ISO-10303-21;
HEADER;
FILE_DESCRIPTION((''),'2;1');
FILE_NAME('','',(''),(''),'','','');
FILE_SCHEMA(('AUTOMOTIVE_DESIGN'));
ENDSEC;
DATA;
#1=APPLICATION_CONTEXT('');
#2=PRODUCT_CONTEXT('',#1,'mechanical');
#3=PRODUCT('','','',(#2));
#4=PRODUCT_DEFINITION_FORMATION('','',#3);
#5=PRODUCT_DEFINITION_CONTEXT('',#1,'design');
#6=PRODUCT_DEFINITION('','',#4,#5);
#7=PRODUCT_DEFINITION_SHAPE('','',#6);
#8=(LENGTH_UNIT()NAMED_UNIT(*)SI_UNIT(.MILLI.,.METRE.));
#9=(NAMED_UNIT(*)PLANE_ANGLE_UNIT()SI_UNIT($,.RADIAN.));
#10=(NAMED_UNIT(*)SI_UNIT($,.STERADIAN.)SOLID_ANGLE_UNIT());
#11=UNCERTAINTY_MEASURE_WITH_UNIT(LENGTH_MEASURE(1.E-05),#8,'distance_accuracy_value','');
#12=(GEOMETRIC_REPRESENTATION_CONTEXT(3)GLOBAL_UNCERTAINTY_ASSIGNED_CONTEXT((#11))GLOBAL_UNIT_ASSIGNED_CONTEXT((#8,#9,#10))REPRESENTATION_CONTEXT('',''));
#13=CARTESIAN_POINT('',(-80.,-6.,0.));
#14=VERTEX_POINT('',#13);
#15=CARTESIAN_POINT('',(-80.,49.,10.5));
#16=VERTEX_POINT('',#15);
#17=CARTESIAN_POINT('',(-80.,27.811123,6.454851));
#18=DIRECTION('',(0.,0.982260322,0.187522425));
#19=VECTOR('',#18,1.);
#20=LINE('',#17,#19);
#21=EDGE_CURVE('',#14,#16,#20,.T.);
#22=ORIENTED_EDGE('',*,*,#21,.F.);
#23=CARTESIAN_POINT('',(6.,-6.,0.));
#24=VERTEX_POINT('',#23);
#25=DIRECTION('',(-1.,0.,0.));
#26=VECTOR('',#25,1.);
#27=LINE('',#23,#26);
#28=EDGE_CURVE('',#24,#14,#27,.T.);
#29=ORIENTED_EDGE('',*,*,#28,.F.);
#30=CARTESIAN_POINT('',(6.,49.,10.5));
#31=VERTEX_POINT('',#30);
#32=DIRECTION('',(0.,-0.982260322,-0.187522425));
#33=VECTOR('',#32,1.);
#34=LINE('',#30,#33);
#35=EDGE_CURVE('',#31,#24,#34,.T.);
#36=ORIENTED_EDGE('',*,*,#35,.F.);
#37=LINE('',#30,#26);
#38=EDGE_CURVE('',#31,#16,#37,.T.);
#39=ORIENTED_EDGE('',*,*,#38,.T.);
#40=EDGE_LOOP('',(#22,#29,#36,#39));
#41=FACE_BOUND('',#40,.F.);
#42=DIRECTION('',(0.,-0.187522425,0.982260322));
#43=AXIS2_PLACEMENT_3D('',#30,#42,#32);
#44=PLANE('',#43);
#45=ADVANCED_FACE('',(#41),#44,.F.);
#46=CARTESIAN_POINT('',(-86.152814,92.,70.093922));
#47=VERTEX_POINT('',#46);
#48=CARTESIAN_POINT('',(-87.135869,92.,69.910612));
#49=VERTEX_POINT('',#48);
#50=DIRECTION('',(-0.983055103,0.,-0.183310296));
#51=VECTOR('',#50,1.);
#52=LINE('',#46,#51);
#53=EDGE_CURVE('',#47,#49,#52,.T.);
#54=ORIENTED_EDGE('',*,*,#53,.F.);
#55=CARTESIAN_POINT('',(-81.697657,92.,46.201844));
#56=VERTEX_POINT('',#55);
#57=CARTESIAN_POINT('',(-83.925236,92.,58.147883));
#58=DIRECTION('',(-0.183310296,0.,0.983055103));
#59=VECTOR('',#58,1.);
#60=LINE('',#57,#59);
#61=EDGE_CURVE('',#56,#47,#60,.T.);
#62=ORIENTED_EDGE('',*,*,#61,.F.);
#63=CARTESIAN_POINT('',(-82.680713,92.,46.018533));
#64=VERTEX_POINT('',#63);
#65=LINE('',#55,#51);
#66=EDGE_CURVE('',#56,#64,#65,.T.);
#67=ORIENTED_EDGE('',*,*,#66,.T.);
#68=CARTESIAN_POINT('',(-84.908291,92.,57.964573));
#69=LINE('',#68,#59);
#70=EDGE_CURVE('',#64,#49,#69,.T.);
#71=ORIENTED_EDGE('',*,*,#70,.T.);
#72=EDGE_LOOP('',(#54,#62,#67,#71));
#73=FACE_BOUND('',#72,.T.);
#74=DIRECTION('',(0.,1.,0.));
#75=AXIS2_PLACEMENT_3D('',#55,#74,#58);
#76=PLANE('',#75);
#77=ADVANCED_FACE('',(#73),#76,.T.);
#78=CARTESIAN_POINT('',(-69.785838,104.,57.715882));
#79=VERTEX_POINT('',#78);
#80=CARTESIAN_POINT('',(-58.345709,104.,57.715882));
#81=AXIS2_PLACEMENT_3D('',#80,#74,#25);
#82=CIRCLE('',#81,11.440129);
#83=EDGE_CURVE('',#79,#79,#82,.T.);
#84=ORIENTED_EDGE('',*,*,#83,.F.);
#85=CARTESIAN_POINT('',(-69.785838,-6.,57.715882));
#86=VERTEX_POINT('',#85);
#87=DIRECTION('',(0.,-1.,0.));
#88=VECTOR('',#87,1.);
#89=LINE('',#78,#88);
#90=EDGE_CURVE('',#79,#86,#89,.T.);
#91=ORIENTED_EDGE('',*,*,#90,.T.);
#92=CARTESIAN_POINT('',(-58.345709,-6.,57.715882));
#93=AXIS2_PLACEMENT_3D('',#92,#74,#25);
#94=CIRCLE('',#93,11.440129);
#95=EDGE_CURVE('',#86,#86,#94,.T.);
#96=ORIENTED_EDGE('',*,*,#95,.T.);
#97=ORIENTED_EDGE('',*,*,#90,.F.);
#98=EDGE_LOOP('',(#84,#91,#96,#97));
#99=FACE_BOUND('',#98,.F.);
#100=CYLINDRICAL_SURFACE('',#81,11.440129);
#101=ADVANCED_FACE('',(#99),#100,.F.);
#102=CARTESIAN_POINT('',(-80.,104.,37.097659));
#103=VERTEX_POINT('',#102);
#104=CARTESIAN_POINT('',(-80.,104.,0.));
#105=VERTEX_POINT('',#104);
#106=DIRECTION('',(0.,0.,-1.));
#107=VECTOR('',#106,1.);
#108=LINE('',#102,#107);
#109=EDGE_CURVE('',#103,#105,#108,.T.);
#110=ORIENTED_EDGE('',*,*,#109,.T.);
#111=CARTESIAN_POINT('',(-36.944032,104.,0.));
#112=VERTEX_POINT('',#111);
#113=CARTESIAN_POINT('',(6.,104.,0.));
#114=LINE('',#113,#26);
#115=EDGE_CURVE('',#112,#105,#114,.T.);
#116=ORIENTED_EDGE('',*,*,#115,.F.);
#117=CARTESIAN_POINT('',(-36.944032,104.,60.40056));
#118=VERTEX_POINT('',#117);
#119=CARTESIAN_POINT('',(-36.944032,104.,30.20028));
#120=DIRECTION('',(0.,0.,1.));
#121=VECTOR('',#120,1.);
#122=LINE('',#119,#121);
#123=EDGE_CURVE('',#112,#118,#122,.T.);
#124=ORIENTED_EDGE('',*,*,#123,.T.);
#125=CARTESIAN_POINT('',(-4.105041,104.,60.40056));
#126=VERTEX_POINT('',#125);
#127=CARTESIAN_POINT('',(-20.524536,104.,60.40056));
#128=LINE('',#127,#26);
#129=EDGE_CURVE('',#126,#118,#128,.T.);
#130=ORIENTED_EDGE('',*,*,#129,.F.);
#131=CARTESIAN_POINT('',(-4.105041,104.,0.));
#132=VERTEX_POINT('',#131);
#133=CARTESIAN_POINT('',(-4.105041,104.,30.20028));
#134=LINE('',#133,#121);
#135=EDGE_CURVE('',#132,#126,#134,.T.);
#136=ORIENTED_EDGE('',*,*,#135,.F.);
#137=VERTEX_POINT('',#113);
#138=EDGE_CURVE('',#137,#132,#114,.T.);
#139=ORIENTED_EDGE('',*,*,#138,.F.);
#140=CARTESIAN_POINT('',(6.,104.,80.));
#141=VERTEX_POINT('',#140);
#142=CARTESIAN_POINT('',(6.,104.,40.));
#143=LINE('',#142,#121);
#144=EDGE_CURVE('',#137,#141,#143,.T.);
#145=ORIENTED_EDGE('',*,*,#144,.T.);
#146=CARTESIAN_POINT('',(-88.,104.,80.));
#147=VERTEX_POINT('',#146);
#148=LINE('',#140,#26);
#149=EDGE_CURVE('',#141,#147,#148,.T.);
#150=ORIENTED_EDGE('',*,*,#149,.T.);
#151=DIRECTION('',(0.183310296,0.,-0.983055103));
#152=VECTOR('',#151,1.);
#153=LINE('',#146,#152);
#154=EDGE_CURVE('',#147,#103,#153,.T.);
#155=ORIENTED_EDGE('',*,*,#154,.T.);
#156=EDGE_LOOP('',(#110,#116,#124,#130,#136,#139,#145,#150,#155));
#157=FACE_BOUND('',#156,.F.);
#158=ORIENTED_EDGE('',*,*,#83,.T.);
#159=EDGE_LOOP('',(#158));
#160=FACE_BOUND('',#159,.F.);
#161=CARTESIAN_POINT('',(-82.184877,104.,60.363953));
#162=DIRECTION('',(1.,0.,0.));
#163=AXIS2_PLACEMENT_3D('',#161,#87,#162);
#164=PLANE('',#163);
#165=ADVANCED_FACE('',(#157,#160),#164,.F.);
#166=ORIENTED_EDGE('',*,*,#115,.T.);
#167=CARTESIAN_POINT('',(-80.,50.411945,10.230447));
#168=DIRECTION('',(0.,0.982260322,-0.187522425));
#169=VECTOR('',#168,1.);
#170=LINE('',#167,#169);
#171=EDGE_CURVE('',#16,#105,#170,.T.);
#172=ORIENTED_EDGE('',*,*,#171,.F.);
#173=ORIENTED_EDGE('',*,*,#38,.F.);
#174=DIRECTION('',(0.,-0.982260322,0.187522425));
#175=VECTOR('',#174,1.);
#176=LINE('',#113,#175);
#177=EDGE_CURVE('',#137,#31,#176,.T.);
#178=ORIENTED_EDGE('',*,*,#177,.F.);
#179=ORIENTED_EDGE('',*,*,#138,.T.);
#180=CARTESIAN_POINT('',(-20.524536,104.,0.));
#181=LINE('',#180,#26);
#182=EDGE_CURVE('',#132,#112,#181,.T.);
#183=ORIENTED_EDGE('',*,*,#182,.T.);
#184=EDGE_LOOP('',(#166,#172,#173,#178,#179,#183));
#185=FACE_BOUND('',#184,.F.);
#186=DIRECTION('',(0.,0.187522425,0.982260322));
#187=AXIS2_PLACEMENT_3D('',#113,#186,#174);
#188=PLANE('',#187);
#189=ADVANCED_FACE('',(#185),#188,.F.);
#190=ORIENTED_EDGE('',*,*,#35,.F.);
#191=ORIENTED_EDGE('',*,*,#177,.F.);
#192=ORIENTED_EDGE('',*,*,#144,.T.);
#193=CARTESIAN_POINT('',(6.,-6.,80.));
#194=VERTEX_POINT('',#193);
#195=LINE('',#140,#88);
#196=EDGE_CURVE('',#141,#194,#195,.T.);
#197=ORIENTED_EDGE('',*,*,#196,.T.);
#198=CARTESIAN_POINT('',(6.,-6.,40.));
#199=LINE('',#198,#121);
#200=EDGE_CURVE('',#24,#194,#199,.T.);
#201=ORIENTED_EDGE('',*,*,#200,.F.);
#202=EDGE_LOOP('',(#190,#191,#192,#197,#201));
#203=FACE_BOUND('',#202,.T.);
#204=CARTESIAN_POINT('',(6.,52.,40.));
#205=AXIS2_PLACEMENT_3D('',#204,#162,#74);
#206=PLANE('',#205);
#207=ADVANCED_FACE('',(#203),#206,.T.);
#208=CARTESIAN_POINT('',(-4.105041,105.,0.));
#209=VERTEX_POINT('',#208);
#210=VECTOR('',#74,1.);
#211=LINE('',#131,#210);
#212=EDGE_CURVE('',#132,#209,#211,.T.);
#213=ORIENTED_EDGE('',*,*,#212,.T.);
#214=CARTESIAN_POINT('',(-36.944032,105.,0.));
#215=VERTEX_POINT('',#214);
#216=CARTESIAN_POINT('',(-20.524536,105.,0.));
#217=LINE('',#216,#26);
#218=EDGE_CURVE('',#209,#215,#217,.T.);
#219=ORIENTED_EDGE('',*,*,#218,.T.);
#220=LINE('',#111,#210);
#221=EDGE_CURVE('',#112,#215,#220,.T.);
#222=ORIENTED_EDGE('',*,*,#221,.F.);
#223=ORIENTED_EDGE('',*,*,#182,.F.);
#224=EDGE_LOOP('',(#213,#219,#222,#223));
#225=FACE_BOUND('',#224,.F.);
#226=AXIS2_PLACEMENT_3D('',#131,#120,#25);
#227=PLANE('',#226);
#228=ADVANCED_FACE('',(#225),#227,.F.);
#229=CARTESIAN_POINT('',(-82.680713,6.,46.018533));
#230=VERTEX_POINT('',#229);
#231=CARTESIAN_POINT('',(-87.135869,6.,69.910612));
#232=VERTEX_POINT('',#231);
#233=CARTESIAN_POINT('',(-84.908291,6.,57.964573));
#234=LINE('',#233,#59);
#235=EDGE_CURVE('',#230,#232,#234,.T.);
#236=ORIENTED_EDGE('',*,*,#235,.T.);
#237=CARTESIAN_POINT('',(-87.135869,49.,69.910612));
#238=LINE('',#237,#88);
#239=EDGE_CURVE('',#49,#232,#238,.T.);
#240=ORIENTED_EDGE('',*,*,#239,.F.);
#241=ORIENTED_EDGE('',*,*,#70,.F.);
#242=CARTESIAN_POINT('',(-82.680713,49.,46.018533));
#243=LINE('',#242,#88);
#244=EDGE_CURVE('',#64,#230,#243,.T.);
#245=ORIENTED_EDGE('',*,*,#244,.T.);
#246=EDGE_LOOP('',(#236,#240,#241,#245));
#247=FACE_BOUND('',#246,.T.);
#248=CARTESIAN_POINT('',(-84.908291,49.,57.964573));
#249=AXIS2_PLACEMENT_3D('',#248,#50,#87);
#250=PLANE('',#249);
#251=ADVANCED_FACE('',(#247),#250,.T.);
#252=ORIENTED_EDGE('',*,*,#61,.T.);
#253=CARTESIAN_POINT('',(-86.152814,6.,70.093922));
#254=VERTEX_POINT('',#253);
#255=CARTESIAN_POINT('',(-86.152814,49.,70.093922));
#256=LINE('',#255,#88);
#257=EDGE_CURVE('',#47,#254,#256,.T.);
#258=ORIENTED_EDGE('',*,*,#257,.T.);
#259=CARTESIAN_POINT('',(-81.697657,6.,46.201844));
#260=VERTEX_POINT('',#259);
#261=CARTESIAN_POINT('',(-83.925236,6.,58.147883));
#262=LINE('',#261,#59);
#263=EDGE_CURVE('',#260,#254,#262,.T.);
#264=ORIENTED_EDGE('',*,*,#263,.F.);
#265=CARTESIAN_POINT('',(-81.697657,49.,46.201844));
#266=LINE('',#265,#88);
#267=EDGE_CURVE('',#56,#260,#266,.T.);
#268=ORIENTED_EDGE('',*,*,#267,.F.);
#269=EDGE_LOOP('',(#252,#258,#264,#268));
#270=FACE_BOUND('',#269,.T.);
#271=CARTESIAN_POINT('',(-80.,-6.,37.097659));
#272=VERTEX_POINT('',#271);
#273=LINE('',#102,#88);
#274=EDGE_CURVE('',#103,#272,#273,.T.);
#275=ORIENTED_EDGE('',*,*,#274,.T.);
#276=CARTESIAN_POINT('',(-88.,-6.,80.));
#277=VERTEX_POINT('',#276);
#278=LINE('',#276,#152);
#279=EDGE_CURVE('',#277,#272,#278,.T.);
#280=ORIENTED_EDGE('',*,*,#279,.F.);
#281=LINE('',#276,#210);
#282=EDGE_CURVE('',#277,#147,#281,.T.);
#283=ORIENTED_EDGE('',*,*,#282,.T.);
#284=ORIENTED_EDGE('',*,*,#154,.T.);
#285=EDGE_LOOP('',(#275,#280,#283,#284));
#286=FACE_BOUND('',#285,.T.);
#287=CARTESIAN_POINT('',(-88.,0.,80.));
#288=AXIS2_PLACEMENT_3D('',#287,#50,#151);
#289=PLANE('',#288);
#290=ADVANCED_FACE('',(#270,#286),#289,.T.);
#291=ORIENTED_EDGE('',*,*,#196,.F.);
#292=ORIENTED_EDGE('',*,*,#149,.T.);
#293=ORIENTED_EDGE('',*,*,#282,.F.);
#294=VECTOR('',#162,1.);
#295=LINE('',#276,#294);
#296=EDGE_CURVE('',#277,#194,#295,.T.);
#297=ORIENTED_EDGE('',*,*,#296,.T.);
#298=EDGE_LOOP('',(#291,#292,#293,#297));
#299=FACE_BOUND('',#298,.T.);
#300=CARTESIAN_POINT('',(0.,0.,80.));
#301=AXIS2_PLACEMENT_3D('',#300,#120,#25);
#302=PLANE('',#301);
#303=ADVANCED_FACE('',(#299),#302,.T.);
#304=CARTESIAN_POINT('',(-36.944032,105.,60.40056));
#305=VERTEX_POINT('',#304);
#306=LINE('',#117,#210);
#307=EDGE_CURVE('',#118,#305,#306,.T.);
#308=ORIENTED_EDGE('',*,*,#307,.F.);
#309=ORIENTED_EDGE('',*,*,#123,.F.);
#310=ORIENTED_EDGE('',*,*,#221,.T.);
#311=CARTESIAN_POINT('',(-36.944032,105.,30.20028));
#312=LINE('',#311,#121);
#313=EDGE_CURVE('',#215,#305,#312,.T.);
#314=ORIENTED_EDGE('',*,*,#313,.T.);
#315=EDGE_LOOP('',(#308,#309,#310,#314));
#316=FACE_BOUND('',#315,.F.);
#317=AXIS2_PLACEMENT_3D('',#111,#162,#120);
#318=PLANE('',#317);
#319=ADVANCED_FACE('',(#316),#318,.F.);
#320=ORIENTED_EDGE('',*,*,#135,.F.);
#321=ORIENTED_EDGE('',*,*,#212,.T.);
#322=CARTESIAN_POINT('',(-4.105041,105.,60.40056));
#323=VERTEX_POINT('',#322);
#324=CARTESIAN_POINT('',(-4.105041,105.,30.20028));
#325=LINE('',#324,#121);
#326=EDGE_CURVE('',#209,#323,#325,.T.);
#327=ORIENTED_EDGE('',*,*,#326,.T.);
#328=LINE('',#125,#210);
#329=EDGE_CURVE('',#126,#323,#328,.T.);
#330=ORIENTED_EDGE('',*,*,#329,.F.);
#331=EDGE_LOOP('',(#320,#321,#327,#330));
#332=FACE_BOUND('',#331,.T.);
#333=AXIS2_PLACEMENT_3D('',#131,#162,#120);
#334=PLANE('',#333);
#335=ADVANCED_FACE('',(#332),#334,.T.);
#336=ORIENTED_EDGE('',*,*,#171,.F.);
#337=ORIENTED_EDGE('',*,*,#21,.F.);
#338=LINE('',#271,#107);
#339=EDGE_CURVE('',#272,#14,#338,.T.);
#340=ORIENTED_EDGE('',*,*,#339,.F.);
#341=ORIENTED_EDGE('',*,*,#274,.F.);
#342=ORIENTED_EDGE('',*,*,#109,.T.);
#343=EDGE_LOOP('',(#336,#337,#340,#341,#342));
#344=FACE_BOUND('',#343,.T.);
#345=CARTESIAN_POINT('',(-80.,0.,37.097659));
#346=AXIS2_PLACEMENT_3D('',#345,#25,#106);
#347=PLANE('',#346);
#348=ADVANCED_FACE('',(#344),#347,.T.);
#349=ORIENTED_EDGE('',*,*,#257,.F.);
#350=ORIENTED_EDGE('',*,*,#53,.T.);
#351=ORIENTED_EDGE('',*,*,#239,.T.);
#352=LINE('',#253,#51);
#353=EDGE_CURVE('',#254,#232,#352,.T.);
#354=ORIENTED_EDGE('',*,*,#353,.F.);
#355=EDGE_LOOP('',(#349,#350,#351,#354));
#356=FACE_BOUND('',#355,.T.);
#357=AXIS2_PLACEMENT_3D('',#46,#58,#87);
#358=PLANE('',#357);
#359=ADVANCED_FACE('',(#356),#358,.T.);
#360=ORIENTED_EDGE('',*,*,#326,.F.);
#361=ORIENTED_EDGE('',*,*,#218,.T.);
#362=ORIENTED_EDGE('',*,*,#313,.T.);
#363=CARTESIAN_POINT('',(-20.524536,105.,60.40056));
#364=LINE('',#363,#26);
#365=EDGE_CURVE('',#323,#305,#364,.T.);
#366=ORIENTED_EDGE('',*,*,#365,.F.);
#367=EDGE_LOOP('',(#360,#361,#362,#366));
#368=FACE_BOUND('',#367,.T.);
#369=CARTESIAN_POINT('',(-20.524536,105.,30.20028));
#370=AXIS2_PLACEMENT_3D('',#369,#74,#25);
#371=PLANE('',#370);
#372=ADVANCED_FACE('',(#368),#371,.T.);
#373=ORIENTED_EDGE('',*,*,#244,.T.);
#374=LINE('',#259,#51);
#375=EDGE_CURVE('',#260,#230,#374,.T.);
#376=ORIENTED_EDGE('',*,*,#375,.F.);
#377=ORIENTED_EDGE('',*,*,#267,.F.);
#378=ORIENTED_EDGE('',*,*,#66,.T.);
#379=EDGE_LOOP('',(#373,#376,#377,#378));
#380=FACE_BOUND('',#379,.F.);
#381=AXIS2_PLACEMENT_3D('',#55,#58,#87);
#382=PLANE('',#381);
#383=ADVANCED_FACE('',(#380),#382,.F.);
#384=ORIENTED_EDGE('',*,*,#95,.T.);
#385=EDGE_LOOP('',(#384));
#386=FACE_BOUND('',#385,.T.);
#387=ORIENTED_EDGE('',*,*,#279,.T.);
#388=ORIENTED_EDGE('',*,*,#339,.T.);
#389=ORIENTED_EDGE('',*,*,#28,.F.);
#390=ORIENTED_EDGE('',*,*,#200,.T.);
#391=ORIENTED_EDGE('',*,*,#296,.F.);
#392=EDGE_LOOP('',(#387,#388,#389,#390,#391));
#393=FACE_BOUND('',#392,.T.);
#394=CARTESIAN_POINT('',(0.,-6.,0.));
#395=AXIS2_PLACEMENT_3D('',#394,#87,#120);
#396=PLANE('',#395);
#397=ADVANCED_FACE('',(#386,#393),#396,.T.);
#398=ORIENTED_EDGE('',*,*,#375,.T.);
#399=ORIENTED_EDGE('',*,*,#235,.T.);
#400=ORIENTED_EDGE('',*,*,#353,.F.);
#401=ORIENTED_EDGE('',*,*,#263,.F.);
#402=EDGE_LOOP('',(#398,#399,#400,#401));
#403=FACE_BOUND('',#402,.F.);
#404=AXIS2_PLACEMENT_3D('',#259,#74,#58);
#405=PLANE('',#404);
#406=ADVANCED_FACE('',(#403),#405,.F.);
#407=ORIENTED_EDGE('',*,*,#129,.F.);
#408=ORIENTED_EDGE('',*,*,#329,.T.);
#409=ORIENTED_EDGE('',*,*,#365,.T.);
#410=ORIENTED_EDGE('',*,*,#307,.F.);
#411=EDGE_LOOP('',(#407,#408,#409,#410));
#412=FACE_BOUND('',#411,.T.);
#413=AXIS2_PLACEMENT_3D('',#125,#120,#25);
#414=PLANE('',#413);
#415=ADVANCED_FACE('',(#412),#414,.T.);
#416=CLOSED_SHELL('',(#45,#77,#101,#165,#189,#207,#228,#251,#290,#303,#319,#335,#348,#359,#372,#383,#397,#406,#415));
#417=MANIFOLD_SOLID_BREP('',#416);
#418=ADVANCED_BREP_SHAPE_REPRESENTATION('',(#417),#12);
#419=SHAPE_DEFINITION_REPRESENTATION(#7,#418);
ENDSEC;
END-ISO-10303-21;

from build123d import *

# Parameters (mm, degrees)
F1_DEPTH  = 6
F2_W      = 104
F2_H      = 80
F2_W_2    = 6
F3_DEPTH  = 6
F5_DEPTH  = 104
F7_DEPTH  = 200
F8_R      = 11.4401294272
F10_DEPTH = 200
F11_W     = 86
F11_H     = 24.3039056659
F12_DEPTH = 1
F13_W     = 32.8389904462
F13_H     = 60.4005604982
F14_DEPTH = 1


with BuildPart() as f1:
    # F0 (on Front) → F1 (new body)
    with BuildSketch(Plane.XZ):
        Polygon((-88, 80), (-80, 37.097658962), (-80, 80), align=None)
        Polygon((-80, 0), (0, 0), (0, 80), (-80, 80), (-80, 37.097658962), align=None)
    extrude(amount=F1_DEPTH)

    # F2 (on face) → F3 (join)
    with BuildSketch(Plane.YZ):
        with Locations((52, 40)):
            Rectangle(F2_W, F2_H)
        with Locations((-3, 40)):
            Rectangle(F2_W_2, F2_H)
    extrude(amount=F3_DEPTH)

    # F5 (add, through all): a face of the model
    f5_faces = [f1.faces().sort_by_distance(p)[0] for p in [
        (-41.1141866674, 0, 40.6711029977),
    ]]
    extrude(f5_faces, amount=F5_DEPTH)

    # F6 (on face) → F7 (cut)
    with BuildSketch(Plane.YZ.offset(6)):
        Polygon((104, 0), (49, 10.5), (-6, 0), align=None)
    extrude(amount=-F7_DEPTH, mode=Mode.SUBTRACT)

    # F8 (on face) → F10 (cut)
    with BuildSketch(Plane(origin=(0, 104, 0), x_dir=(-1, 0, 0), z_dir=(0, 1, 0))):
        with Locations((58.3457089961, 57.7158816159)):
            Circle(F8_R)
    extrude(amount=-F10_DEPTH, mode=Mode.SUBTRACT)

    # F11 (on face) → F12 (join)
    with BuildSketch(Plane(origin=(-70.6266357892, 0, -13.1697495438), x_dir=(0, -1, 0), z_dir=(-0.983055103, 0, -0.1833102957))):
        with Locations((-49, 72.5469328463)):
            Rectangle(F11_W, F11_H)
    extrude(amount=F12_DEPTH)

    # F13 (on face) → F14 (join)
    with BuildSketch(Plane(origin=(0, 104, 0), x_dir=(-1, 0, 0), z_dir=(0, 1, 0))):
        with Locations((20.5245364923, 30.2002802491)):
            Rectangle(F13_W, F13_H)
    extrude(amount=F14_DEPTH)


solid = f1.part
